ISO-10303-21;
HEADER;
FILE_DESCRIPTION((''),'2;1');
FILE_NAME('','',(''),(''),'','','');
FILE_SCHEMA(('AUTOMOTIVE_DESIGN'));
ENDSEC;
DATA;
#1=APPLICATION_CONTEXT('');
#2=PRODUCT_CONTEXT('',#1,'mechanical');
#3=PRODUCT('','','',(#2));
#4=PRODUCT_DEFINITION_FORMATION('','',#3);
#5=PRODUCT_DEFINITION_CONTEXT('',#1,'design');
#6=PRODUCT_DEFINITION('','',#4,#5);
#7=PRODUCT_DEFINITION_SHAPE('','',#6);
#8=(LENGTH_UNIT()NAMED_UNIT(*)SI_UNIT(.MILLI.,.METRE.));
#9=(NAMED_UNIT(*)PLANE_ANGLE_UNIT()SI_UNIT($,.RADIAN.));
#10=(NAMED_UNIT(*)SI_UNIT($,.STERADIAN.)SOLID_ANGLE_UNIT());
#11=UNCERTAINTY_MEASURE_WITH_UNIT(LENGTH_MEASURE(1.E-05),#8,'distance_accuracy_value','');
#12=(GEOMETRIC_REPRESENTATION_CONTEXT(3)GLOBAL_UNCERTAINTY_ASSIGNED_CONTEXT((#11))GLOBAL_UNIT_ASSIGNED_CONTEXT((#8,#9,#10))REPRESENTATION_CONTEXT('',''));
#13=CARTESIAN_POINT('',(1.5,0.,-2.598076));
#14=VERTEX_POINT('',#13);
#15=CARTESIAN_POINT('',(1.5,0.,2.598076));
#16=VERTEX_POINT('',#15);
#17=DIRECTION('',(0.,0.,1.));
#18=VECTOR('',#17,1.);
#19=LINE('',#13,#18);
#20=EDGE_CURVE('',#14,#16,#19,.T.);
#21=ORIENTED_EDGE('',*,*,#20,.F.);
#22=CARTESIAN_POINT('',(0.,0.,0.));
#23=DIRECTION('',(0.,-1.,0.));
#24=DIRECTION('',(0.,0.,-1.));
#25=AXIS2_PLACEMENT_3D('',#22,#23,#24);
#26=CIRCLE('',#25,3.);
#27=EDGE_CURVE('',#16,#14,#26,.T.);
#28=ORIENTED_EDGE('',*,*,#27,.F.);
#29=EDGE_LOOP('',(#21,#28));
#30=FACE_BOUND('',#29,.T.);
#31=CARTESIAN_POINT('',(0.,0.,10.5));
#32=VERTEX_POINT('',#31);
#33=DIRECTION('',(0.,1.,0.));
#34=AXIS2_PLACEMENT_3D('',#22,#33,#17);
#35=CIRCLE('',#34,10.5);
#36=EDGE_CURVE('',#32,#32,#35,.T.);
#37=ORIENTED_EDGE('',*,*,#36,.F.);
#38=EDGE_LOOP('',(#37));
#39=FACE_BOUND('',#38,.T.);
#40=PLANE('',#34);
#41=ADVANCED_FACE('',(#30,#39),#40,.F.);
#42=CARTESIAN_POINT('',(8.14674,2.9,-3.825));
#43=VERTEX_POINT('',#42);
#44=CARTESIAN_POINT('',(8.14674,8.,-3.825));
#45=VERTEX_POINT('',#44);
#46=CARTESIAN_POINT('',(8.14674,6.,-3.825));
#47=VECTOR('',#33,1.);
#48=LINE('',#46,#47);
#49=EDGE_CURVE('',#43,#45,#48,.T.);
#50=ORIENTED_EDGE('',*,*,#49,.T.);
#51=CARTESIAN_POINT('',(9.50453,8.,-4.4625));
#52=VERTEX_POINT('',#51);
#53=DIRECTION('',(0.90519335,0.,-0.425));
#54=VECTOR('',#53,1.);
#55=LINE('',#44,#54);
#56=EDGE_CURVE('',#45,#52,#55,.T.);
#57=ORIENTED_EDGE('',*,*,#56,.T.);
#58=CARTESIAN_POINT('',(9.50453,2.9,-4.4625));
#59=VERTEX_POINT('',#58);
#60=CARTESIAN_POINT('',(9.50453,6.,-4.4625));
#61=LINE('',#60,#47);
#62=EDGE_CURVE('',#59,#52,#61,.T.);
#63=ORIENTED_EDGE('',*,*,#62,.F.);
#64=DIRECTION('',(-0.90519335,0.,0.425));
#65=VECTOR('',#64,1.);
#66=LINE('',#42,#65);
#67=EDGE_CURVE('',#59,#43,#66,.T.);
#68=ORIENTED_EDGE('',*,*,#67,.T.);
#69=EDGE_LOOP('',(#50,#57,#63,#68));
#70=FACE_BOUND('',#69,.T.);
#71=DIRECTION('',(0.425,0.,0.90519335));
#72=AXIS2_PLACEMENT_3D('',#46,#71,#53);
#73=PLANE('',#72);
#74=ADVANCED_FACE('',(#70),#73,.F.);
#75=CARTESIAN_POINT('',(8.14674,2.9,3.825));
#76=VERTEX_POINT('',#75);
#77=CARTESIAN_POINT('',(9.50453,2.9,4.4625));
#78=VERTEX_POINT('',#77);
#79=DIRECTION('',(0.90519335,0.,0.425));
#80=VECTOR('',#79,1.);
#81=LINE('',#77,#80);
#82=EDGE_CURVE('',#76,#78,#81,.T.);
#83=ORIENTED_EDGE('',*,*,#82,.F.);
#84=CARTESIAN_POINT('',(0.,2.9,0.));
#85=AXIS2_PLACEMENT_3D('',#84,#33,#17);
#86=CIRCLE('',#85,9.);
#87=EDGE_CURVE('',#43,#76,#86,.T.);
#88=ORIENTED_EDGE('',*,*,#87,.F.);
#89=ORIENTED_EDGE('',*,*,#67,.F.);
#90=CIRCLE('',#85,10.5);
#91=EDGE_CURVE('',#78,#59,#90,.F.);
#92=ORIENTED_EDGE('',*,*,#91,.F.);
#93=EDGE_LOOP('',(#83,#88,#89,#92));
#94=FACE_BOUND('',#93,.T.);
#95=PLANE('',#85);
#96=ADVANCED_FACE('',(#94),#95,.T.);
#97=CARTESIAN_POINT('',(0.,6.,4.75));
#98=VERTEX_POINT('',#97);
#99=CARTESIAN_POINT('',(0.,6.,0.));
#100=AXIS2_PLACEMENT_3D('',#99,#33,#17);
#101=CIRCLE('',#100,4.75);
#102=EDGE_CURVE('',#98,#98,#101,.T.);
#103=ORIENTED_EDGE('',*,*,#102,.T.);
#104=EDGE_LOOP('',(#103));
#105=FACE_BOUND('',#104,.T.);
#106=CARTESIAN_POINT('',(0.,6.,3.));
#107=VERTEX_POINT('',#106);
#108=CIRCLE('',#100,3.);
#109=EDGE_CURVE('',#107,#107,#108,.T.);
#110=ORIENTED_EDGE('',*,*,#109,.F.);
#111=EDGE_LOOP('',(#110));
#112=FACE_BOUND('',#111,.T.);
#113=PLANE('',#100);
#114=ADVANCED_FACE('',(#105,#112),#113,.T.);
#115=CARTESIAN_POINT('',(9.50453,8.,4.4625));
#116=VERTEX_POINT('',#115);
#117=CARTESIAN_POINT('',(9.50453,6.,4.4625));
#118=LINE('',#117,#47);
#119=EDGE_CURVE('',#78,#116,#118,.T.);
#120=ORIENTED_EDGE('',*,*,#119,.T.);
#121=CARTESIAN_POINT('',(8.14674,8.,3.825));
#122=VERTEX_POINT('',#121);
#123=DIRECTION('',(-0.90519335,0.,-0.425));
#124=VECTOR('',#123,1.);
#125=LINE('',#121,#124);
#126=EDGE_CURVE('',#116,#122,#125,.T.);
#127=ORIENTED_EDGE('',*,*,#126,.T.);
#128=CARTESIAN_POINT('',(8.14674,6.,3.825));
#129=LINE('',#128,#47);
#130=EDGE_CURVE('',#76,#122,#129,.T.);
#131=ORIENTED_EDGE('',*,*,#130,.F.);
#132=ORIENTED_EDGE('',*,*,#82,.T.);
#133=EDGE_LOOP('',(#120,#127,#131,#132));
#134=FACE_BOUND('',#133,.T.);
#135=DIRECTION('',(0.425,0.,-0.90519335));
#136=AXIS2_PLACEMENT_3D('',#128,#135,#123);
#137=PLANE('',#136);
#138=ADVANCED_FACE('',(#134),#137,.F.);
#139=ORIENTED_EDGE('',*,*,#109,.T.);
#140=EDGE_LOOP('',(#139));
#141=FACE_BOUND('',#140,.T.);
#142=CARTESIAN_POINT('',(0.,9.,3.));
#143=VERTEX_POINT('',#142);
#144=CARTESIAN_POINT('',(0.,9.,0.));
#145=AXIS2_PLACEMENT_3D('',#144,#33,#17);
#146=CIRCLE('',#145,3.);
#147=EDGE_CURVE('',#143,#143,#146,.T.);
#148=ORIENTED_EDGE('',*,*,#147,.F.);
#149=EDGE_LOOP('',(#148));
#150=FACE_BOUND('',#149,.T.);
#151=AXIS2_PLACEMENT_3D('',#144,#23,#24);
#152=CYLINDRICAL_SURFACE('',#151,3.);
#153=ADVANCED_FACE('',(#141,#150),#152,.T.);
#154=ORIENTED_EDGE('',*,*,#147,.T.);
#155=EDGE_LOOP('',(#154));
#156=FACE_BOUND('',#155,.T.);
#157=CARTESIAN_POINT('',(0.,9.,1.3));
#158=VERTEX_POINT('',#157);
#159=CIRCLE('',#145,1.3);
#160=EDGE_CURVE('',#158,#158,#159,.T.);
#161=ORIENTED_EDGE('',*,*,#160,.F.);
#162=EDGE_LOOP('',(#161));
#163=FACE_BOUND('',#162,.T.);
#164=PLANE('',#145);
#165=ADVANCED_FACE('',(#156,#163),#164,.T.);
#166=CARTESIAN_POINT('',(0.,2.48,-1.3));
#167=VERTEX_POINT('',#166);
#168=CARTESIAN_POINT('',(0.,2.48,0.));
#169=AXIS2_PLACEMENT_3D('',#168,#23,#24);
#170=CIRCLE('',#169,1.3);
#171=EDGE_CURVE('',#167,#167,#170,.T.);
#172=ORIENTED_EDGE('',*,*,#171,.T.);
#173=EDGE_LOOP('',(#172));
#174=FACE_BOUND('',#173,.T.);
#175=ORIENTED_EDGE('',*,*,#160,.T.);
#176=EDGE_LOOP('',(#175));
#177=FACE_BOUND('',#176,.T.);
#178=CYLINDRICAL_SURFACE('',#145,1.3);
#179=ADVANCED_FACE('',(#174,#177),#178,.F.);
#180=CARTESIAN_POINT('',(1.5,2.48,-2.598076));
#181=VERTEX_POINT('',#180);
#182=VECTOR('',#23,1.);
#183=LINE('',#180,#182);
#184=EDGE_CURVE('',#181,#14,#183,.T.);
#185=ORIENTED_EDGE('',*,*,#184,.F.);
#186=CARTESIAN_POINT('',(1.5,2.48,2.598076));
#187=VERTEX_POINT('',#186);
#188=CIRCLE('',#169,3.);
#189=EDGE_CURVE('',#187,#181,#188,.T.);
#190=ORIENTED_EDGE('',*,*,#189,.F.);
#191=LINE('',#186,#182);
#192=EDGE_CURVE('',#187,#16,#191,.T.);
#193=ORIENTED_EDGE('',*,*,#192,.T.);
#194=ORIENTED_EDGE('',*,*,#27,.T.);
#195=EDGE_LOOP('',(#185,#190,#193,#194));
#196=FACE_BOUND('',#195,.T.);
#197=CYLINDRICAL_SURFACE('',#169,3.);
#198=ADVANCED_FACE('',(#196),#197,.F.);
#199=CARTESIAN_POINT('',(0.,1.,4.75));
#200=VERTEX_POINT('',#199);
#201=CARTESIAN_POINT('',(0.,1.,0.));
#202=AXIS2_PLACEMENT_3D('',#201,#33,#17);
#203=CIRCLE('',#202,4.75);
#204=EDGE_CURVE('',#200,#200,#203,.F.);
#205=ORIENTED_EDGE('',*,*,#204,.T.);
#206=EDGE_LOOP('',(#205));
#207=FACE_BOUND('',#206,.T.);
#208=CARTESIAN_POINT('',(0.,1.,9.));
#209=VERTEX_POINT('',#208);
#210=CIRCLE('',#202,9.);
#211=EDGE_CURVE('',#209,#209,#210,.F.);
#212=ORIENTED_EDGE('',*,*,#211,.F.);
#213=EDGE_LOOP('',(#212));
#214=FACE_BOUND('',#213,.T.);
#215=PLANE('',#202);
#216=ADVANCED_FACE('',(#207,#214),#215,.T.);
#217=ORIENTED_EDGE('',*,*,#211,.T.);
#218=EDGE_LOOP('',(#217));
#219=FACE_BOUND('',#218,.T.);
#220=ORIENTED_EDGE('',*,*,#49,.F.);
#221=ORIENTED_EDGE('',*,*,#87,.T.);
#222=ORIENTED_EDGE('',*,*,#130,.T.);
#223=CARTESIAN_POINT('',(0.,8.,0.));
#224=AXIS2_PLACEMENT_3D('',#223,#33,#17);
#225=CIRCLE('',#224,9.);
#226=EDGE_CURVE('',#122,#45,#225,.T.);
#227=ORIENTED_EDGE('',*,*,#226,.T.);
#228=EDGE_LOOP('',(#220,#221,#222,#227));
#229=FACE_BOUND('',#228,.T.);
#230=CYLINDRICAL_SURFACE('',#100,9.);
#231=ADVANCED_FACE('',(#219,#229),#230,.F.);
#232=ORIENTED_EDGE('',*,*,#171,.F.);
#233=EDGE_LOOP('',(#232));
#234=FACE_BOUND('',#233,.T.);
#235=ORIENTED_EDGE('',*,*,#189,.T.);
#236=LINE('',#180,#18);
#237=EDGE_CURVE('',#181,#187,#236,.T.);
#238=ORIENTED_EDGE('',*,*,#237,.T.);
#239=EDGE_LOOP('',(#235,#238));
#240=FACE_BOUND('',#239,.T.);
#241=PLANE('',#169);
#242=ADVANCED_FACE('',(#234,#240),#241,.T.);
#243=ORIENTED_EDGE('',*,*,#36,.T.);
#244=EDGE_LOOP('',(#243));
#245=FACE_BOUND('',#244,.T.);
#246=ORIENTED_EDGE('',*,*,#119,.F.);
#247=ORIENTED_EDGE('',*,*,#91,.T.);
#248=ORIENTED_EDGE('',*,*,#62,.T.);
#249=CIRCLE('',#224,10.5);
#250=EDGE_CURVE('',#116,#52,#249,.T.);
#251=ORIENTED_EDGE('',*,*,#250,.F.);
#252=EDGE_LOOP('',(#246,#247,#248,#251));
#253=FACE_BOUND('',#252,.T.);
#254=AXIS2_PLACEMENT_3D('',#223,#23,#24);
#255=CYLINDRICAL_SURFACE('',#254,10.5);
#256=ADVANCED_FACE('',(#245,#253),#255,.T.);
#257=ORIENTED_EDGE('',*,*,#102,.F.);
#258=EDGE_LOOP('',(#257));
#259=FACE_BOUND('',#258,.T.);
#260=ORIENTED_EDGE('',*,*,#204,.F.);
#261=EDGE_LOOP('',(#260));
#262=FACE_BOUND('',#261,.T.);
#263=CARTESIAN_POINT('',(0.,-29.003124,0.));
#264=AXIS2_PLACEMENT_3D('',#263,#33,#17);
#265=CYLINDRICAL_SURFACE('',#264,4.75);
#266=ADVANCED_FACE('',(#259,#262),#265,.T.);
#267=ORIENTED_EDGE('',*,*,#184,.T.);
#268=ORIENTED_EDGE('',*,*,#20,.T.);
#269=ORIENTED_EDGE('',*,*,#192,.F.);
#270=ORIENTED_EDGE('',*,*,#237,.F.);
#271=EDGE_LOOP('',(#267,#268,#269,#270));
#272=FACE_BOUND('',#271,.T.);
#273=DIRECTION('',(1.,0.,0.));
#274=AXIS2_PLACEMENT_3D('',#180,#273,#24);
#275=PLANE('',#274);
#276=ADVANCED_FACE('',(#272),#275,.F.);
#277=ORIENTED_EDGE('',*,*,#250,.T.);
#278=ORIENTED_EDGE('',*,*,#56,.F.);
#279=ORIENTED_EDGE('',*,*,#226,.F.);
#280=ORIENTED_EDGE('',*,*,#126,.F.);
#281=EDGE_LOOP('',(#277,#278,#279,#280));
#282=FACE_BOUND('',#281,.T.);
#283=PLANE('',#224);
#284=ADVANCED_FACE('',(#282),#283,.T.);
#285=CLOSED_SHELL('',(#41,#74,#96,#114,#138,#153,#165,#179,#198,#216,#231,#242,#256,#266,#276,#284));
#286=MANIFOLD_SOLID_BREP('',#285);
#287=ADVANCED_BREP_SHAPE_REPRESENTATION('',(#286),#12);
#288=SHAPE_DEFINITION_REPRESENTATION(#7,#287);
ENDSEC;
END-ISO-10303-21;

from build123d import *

# Parameters (mm, degrees)
SCHIZZO2_R                   = 10.5
ESTRUSIONE_ESTRUSIONE1_DEPTH = 8
TAGLIO_ESTRUSIONE1_START     = -2
TAGLIO_ESTRUSIONE1_DEPTH     = 2
TAGLIO_ESTRUSIONE2_START     = -3.1
SCHIZZO4_R                   = 4.75
TAGLIO_ESTRUSIONE2_DEPTH     = 3.1
TAGLIO_ESTRUSIONE4_START     = -1.9
SCHIZZO5_R                   = 9
SCHIZZO5_R_2                 = 4.75
TAGLIO_ESTRUSIONE4_DEPTH     = 1.9
SCHIZZO6_R                   = 3
ESTRUSIONE_ESTRUSIONE2_DEPTH = 3
TAGLIO_ESTRUSIONE5_DEPTH     = 2.48
FORO_PER_VITE_M2_1_D         = 2.6


with BuildPart() as part:
    # Schizzo2 → Estrusione-Estrusione1 (new body)
    with BuildSketch(Plane(origin=(0, 0, 0), x_dir=(1, 0, 0), z_dir=(0, 1, 0))):
        with Locations(Location((0, 0, 0), (0, 0, 270))):
            Circle(SCHIZZO2_R)
    extrude(amount=ESTRUSIONE_ESTRUSIONE1_DEPTH)

    # Schizzo3 → Taglio-Estrusione1 (cut)
    with BuildSketch(Plane(origin=(0, 8, 0), x_dir=(1, 0, 0), z_dir=(0, 1, 0)).offset(TAGLIO_ESTRUSIONE1_START)):
        with BuildLine():
            Line((8.146740146, 3.825), (9.50453017, 4.4625))
            ThreePointArc((9.50453017, 4.4625), (-10.5, 0), (9.50453017, -4.4625))
            Line((9.50453017, -4.4625), (8.146740146, -3.825))
            ThreePointArc((8.146740146, -3.825), (9, 0), (8.146740146, 3.825))
        make_face()
    extrude(amount=TAGLIO_ESTRUSIONE1_DEPTH, mode=Mode.SUBTRACT)

    # Schizzo4 → Taglio-Estrusione2 (cut)
    with BuildSketch(Plane(origin=(0, 6, 0), x_dir=(1, 0, 0), z_dir=(0, 1, 0)).offset(TAGLIO_ESTRUSIONE2_START)):
        with BuildLine():
            Line((8.146740146, 3.825), (9.50453017, 4.4625))
            ThreePointArc((9.50453017, 4.4625), (-10.5, 0), (9.50453017, -4.4625))
            Line((9.50453017, -4.4625), (8.146740146, -3.825))
            ThreePointArc((8.146740146, -3.825), (9, 0), (8.146740146, 3.825))
        make_face()
        with Locations(Location((0, 0, 0), (0, 0, 270))):
            Circle(SCHIZZO4_R, mode=Mode.SUBTRACT)
    extrude(amount=TAGLIO_ESTRUSIONE2_DEPTH, mode=Mode.SUBTRACT)

    # Schizzo5 → Taglio-Estrusione4 (cut)
    with BuildSketch(Plane(origin=(0, 2.9, 0), x_dir=(1, 0, 0), z_dir=(0, 1, 0)).offset(TAGLIO_ESTRUSIONE4_START)):
        with Locations(Location((0, 0, 0), (0, 0, 270))):
            Circle(SCHIZZO5_R)
        with Locations(Location((0, 0, 0), (0, 0, 270))):
            Circle(SCHIZZO5_R_2, mode=Mode.SUBTRACT)
    extrude(amount=TAGLIO_ESTRUSIONE4_DEPTH, mode=Mode.SUBTRACT)

    # Schizzo6 → Estrusione-Estrusione2 (add)
    with BuildSketch(Plane(origin=(0, 6, 0), x_dir=(1, 0, 0), z_dir=(0, 1, 0))):
        with Locations(Location((0, 0, 0), (0, 0, 270))):
            Circle(SCHIZZO6_R)
    extrude(amount=ESTRUSIONE_ESTRUSIONE2_DEPTH)

    # Schizzo7 → Taglio-Estrusione5 (cut)
    with BuildSketch(Plane.XZ):
        with BuildLine():
            Line((1.5, -2.598076211), (1.5, 2.598076211))
            ThreePointArc((1.5, 2.598076211), (-3, 0), (1.5, -2.598076211))
        make_face()
    extrude(amount=-TAGLIO_ESTRUSIONE5_DEPTH, mode=Mode.SUBTRACT)

    # Foro per Vite M2-1 (through all)
    with Locations(Plane(origin=(0, 9, 0), x_dir=(1, 0, 0), z_dir=(0, 1, 0))):
        with Locations((0, 0)):
            Hole(FORO_PER_VITE_M2_1_D / 2)


solid = part.part
